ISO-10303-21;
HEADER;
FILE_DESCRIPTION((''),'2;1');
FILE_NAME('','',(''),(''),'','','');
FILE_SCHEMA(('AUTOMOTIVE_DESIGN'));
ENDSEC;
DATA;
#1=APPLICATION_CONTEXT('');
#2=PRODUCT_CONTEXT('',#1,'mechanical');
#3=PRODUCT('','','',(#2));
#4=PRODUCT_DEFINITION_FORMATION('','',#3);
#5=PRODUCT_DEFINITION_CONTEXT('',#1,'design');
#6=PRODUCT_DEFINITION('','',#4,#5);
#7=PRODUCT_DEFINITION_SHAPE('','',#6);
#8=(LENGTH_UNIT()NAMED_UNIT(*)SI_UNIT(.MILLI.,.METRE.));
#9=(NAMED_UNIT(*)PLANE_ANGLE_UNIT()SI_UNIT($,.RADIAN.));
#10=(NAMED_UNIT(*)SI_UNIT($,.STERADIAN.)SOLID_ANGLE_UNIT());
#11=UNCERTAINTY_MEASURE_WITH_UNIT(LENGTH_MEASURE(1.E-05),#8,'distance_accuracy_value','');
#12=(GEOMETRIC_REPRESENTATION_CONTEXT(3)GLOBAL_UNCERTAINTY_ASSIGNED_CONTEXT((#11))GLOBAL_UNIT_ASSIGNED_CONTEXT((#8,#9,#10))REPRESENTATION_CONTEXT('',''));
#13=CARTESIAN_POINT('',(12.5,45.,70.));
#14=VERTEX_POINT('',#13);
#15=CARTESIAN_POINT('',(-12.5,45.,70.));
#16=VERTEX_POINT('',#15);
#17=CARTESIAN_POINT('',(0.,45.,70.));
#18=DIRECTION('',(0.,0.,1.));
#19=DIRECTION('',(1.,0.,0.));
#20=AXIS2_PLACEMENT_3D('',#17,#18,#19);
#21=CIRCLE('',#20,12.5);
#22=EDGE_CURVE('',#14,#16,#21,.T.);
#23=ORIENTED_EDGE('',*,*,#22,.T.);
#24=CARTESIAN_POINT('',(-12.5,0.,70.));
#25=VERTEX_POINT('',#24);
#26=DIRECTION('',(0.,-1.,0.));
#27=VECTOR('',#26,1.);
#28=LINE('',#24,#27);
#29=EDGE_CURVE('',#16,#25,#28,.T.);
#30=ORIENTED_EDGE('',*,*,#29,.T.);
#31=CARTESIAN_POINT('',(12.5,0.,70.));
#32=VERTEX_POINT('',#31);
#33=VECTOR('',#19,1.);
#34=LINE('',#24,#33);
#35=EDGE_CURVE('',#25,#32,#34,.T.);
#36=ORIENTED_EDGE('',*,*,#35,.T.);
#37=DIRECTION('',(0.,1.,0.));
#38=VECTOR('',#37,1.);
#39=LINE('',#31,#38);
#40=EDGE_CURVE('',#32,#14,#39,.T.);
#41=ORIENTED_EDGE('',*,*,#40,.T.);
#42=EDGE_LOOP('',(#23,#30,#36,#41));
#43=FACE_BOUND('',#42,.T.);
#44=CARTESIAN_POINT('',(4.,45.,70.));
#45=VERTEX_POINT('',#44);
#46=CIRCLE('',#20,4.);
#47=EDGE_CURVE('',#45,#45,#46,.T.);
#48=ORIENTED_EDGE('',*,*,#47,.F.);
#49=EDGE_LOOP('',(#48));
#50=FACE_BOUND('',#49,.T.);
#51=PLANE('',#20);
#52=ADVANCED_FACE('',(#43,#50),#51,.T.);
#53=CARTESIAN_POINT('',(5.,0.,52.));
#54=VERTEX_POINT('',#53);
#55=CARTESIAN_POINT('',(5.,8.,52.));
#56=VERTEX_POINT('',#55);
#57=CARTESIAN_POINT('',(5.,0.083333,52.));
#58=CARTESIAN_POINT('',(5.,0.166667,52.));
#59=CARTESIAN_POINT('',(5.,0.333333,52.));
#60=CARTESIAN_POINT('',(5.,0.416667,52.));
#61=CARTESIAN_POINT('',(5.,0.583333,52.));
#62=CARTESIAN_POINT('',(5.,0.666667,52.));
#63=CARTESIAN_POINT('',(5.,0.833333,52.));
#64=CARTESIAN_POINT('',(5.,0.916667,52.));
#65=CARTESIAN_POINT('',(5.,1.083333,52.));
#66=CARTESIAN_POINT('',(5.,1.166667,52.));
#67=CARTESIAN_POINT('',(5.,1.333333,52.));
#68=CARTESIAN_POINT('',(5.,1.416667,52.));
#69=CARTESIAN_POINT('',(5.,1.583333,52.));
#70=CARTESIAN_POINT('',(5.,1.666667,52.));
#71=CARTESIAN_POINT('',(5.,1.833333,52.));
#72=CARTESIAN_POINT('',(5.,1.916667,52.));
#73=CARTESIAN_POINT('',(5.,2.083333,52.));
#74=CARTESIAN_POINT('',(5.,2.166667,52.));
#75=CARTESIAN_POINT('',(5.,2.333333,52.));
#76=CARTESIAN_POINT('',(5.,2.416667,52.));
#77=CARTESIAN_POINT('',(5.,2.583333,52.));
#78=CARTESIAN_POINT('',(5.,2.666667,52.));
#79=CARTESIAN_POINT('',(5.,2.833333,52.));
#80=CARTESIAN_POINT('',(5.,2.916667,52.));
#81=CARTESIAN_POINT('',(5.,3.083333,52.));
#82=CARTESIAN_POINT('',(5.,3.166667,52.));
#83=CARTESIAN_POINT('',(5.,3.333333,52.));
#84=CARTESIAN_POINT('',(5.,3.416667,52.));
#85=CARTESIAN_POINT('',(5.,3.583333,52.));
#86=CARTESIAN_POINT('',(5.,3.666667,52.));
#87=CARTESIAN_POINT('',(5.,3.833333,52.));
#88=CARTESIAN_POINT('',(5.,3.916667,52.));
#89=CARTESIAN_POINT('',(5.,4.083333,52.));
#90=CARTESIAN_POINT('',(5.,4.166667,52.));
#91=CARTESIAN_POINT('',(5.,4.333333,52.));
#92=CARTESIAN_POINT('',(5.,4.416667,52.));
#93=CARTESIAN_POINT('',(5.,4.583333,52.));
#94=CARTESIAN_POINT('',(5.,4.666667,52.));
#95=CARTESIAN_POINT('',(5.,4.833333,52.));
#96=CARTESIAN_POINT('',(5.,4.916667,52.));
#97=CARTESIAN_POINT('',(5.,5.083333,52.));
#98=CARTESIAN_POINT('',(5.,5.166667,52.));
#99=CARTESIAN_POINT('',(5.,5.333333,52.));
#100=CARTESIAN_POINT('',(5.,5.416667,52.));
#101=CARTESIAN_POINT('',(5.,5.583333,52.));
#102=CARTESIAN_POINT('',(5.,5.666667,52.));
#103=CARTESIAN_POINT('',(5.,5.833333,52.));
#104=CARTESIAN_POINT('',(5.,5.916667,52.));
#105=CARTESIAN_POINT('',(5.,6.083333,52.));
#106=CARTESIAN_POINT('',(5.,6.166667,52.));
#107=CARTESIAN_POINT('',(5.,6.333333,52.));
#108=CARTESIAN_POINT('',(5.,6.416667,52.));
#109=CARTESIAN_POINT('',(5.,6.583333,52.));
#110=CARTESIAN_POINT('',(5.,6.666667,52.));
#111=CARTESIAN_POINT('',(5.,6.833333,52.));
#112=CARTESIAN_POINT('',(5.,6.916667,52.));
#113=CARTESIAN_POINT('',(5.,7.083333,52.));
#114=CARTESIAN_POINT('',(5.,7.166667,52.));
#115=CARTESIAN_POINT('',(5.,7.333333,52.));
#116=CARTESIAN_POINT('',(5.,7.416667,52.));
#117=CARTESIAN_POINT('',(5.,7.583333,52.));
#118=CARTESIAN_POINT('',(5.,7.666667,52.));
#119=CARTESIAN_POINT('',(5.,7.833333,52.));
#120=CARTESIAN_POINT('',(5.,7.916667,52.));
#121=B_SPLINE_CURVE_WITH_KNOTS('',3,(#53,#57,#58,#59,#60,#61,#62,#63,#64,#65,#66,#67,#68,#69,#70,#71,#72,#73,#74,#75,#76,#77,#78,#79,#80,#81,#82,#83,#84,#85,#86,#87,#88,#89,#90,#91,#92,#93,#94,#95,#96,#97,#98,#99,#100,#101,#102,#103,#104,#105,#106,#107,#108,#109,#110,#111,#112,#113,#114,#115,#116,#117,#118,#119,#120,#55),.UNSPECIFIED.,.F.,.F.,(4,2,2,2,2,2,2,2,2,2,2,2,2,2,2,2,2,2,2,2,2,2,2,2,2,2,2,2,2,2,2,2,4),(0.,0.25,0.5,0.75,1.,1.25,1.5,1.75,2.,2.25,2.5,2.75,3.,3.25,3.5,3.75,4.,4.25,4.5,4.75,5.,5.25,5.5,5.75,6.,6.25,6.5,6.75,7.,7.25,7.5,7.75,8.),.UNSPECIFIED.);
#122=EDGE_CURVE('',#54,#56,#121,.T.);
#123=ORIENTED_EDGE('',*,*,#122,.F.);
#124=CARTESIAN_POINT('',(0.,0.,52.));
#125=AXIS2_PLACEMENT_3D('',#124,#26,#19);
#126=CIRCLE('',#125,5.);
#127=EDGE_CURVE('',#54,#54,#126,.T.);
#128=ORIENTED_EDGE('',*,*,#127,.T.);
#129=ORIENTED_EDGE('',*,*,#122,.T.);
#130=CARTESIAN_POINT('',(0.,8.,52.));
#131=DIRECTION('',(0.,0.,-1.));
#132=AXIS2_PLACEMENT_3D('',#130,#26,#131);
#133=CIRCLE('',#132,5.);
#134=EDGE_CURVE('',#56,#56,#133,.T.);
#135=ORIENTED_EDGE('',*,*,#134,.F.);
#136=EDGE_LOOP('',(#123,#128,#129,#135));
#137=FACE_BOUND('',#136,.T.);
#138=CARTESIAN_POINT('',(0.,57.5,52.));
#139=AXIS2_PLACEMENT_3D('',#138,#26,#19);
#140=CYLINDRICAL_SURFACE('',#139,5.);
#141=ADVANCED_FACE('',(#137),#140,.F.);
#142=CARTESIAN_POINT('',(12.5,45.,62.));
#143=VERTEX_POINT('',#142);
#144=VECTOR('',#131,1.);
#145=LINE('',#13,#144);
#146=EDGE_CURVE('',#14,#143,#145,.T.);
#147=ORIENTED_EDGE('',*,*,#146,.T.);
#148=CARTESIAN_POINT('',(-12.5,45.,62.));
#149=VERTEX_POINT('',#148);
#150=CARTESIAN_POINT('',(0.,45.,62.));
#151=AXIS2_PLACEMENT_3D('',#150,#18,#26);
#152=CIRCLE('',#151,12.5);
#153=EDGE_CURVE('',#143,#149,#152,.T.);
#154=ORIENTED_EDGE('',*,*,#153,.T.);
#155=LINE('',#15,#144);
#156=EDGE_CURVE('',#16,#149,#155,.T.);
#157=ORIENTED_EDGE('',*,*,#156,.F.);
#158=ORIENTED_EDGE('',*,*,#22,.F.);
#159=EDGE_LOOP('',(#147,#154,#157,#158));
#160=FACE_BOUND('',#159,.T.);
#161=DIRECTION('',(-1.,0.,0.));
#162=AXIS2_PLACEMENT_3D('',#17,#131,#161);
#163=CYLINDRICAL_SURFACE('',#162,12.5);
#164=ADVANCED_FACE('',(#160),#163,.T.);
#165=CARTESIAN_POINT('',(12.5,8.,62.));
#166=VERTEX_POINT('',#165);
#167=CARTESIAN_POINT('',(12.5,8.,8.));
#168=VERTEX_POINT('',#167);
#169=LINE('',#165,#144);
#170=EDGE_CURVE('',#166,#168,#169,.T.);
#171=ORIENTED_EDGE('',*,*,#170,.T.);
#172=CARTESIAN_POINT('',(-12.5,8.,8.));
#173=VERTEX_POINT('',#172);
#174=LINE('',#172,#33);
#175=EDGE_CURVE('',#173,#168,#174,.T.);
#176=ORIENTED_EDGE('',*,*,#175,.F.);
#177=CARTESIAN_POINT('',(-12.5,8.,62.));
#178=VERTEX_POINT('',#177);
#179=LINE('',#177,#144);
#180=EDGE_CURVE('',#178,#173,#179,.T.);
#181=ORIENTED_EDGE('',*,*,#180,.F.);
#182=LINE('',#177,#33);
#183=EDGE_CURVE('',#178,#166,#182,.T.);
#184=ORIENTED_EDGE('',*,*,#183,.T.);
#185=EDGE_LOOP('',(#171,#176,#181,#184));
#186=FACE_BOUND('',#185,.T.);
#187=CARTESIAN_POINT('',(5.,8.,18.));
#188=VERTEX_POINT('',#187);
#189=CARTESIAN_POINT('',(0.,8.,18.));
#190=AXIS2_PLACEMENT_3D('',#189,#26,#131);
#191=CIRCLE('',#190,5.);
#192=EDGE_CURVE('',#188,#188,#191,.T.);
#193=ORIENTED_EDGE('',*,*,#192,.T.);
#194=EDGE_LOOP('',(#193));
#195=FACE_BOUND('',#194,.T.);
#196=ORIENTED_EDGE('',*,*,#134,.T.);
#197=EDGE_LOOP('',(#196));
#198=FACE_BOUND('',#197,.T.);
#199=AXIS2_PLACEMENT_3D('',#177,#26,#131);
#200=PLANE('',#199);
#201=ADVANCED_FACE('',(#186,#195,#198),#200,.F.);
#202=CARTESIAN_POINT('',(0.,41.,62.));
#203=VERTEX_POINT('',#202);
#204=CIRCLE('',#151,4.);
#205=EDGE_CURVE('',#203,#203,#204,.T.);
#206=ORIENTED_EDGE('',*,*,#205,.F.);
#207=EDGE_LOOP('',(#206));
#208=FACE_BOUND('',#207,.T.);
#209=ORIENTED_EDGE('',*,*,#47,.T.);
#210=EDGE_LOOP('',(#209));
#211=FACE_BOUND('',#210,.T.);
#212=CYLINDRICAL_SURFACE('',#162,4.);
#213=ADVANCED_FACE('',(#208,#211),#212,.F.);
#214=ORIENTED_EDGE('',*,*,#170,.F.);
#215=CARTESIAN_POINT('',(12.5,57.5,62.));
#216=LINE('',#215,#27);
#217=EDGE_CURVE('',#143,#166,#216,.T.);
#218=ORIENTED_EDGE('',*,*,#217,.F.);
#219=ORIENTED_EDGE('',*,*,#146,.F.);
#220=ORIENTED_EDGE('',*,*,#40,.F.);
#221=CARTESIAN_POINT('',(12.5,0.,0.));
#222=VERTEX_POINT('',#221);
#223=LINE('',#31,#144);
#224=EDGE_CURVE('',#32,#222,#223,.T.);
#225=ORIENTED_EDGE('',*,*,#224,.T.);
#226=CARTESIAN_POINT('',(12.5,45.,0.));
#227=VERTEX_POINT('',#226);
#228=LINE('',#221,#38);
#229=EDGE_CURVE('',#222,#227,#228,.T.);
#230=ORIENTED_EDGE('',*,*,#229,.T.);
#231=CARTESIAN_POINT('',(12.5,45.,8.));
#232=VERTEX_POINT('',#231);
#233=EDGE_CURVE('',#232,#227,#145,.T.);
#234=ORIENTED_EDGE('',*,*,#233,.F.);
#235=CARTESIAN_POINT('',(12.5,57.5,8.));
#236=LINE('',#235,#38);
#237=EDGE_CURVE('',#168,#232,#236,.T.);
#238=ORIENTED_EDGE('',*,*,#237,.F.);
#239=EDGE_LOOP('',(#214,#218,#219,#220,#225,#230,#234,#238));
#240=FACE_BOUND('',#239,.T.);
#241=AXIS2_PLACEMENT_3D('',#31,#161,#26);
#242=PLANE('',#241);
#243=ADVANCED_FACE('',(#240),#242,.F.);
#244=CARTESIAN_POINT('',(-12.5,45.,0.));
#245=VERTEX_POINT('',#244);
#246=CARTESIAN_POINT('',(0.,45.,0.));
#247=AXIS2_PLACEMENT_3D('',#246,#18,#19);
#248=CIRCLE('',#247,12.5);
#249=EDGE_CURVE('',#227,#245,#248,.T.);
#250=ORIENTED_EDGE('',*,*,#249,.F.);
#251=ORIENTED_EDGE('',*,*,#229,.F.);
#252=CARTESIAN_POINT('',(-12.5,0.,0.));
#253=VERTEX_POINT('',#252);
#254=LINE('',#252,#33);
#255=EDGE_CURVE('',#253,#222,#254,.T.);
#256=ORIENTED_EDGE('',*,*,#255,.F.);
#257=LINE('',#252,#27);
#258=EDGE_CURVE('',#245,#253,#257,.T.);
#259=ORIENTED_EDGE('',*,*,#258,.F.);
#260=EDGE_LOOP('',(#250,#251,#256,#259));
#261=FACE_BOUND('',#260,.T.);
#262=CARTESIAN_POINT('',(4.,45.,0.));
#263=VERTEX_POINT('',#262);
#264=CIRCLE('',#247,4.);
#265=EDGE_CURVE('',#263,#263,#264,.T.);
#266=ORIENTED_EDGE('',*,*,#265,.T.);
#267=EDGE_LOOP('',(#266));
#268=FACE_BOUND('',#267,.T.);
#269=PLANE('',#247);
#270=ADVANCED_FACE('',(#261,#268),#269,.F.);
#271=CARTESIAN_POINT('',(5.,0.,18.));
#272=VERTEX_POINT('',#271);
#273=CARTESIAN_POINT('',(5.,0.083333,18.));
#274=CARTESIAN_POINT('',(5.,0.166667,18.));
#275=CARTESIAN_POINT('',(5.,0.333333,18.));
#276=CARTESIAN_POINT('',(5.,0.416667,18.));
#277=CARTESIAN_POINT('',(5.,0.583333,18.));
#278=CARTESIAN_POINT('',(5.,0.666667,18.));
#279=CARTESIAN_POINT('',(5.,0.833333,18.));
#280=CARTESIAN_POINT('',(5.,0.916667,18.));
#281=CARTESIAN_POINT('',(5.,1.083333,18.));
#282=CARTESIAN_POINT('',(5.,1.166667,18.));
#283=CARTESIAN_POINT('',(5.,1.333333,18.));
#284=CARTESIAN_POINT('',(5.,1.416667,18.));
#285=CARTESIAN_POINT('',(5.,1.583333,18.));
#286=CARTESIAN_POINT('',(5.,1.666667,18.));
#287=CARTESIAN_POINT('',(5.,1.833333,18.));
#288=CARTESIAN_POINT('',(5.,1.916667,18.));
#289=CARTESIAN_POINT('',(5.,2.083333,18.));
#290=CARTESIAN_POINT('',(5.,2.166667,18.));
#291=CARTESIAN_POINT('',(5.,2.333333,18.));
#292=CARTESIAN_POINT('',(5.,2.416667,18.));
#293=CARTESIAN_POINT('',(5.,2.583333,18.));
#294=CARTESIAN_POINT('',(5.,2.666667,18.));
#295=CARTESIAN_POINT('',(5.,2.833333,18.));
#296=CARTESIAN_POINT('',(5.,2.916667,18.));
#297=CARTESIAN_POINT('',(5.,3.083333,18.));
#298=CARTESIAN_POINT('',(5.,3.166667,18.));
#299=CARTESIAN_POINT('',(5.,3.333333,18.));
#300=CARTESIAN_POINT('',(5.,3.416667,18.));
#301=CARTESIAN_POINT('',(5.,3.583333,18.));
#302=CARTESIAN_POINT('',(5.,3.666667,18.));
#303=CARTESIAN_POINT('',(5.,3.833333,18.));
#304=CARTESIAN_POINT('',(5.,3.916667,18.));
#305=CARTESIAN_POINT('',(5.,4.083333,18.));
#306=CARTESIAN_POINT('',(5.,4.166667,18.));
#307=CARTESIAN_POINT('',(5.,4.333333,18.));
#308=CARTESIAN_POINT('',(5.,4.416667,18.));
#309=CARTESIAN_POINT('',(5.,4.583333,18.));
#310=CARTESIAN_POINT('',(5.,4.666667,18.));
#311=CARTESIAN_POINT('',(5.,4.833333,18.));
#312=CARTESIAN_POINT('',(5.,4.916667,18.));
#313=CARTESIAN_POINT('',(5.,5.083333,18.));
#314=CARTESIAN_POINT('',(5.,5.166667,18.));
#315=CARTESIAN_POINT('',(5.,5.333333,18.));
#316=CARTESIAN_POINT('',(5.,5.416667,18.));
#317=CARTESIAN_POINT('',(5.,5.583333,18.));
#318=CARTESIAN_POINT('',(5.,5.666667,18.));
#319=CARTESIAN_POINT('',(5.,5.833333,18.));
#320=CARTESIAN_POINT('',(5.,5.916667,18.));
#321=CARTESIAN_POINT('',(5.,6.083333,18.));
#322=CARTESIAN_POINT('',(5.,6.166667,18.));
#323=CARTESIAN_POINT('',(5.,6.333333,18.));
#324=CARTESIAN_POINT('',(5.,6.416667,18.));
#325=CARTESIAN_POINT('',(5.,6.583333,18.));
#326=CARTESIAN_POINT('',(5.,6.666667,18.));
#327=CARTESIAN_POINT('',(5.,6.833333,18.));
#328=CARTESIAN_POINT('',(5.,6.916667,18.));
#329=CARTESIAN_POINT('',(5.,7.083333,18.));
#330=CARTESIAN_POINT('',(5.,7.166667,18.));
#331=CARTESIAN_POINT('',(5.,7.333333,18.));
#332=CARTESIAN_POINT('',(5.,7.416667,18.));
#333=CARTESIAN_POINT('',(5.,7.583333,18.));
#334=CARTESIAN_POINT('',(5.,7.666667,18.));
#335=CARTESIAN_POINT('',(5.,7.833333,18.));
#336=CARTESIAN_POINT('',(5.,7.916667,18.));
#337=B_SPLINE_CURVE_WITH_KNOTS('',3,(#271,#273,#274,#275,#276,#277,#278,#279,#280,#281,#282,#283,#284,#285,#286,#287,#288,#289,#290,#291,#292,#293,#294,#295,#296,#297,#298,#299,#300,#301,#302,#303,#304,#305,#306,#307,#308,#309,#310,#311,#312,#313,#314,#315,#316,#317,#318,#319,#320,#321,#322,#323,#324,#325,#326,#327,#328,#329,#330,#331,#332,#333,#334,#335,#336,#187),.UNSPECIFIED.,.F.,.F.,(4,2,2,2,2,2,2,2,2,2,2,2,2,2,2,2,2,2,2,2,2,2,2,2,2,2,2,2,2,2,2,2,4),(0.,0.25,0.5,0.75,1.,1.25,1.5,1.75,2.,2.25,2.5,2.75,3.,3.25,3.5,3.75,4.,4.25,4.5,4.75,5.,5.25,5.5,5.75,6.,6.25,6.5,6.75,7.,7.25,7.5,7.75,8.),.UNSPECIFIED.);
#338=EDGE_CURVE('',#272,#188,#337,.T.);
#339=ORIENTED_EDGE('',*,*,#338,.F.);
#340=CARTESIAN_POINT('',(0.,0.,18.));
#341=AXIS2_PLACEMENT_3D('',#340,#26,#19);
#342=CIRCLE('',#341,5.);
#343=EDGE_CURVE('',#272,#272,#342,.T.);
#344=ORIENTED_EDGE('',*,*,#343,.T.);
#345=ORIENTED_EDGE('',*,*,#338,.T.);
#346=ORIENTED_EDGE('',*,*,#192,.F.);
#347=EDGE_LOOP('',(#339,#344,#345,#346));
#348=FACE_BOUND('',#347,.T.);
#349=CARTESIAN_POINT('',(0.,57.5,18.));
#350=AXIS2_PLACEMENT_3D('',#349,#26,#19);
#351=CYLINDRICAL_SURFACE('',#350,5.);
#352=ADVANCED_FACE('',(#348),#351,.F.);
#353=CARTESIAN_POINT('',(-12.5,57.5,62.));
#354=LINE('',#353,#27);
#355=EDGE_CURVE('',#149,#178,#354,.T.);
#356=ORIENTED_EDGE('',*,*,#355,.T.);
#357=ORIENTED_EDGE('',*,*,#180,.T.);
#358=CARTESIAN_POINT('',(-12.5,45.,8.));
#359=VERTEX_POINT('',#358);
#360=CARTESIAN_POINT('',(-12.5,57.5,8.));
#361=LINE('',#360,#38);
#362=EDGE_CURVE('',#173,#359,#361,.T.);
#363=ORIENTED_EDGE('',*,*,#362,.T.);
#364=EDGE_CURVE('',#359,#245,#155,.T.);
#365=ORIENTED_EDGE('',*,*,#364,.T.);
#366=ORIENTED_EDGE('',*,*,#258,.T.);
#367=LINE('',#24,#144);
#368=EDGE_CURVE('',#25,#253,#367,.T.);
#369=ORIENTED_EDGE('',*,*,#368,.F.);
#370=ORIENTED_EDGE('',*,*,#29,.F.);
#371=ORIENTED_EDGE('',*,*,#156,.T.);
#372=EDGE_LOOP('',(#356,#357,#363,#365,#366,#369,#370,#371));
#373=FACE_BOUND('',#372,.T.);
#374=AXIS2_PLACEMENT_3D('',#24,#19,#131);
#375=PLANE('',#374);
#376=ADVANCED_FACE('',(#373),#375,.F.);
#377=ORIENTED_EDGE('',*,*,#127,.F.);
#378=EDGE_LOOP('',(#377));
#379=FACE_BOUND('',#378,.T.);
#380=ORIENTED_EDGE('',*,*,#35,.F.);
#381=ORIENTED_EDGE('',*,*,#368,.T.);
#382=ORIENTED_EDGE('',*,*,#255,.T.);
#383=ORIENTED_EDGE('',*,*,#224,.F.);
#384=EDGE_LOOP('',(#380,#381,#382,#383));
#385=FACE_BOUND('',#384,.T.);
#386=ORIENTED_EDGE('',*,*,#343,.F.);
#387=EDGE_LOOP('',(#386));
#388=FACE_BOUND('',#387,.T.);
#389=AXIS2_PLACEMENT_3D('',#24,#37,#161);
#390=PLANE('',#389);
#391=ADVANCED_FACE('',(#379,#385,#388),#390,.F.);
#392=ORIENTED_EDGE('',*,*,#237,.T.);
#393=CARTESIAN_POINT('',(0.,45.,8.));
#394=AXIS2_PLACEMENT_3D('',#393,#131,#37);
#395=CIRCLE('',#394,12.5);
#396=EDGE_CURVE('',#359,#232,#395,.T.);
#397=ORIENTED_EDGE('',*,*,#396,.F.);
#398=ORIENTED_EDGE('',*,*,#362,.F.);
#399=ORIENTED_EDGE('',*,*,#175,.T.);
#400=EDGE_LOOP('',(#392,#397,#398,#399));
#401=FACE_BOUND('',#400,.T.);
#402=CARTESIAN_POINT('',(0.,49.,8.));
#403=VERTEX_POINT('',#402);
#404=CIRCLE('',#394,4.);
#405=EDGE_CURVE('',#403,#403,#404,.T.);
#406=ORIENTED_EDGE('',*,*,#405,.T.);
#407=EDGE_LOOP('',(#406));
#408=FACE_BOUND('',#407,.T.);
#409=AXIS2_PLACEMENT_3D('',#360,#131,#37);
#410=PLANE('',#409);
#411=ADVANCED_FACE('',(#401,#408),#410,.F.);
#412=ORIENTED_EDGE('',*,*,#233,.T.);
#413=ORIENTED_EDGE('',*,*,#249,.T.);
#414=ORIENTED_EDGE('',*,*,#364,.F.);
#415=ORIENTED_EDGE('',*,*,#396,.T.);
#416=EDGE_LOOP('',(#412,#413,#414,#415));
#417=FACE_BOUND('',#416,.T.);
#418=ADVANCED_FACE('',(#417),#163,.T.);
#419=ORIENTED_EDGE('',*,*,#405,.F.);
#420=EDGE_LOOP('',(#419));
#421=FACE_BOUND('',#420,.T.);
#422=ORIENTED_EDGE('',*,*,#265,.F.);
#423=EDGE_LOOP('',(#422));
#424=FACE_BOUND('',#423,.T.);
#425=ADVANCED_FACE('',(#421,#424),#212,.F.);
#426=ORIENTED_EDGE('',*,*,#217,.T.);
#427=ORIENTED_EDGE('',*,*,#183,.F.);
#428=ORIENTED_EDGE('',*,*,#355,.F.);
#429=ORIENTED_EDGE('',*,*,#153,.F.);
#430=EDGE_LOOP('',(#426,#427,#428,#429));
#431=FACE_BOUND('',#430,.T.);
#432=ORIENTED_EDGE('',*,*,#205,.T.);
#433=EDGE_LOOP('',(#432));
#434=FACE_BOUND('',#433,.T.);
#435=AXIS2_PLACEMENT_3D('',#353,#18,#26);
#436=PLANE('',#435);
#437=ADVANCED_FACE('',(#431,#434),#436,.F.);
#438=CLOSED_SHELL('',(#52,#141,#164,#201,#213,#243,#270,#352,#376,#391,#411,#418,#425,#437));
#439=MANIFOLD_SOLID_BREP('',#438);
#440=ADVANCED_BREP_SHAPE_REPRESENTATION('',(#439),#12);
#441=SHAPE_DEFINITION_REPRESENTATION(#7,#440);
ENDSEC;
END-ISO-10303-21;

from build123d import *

# Parameters (mm, degrees)
SCHIZZO1_R                    = 4
ESTRUSIONE_ESTRUSIONE1_DEPTH  = 70
TAGLIO_ESTRUSIONE1_DEPTH      = 92.446705791
TAGLIO_ESTRUSIONE1_DEPTH_BACK = 92.446705791
SCHIZZO2_W                    = 54
SCHIZZO2_H                    = 49.5
SCHIZZO4_R                    = 5
TAGLIO_ESTRUSIONE2_DEPTH      = 92.446705791


with BuildPart() as part:
    # Schizzo1 → Estrusione-Estrusione1 (new body)
    with BuildSketch(Plane.XY):
        with BuildLine():
            Line((-12.5, 0), (12.5, 0))
            Line((12.5, 0), (12.5, 45))
            ThreePointArc((12.5, 45), (0, 57.5), (-12.5, 45))
            Line((-12.5, 45), (-12.5, 0))
        make_face()
        with Locations((0, 45)):
            Circle(SCHIZZO1_R, mode=Mode.SUBTRACT)
    extrude(amount=ESTRUSIONE_ESTRUSIONE1_DEPTH)

    # Schizzo2 → Taglio-Estrusione1 (cut, two sides: drawn at the far end of the back side and taken through both)
    with BuildSketch(Plane(origin=(0, 0, 0), x_dir=(0, 0, -1), z_dir=(1, 0, 0)).offset(-TAGLIO_ESTRUSIONE1_DEPTH_BACK)):
        with Locations((-35, 32.75)):
            Rectangle(SCHIZZO2_W, SCHIZZO2_H)
    extrude(amount=TAGLIO_ESTRUSIONE1_DEPTH + TAGLIO_ESTRUSIONE1_DEPTH_BACK, mode=Mode.SUBTRACT)

    # Schizzo4 → Taglio-Estrusione2 (cut, through all)
    with BuildSketch(Plane.XZ):
        with Locations((0, 18)):
            Circle(SCHIZZO4_R)
        with Locations((0, 52)):
            Circle(SCHIZZO4_R)
    extrude(amount=-TAGLIO_ESTRUSIONE2_DEPTH, mode=Mode.SUBTRACT)


solid = part.part
